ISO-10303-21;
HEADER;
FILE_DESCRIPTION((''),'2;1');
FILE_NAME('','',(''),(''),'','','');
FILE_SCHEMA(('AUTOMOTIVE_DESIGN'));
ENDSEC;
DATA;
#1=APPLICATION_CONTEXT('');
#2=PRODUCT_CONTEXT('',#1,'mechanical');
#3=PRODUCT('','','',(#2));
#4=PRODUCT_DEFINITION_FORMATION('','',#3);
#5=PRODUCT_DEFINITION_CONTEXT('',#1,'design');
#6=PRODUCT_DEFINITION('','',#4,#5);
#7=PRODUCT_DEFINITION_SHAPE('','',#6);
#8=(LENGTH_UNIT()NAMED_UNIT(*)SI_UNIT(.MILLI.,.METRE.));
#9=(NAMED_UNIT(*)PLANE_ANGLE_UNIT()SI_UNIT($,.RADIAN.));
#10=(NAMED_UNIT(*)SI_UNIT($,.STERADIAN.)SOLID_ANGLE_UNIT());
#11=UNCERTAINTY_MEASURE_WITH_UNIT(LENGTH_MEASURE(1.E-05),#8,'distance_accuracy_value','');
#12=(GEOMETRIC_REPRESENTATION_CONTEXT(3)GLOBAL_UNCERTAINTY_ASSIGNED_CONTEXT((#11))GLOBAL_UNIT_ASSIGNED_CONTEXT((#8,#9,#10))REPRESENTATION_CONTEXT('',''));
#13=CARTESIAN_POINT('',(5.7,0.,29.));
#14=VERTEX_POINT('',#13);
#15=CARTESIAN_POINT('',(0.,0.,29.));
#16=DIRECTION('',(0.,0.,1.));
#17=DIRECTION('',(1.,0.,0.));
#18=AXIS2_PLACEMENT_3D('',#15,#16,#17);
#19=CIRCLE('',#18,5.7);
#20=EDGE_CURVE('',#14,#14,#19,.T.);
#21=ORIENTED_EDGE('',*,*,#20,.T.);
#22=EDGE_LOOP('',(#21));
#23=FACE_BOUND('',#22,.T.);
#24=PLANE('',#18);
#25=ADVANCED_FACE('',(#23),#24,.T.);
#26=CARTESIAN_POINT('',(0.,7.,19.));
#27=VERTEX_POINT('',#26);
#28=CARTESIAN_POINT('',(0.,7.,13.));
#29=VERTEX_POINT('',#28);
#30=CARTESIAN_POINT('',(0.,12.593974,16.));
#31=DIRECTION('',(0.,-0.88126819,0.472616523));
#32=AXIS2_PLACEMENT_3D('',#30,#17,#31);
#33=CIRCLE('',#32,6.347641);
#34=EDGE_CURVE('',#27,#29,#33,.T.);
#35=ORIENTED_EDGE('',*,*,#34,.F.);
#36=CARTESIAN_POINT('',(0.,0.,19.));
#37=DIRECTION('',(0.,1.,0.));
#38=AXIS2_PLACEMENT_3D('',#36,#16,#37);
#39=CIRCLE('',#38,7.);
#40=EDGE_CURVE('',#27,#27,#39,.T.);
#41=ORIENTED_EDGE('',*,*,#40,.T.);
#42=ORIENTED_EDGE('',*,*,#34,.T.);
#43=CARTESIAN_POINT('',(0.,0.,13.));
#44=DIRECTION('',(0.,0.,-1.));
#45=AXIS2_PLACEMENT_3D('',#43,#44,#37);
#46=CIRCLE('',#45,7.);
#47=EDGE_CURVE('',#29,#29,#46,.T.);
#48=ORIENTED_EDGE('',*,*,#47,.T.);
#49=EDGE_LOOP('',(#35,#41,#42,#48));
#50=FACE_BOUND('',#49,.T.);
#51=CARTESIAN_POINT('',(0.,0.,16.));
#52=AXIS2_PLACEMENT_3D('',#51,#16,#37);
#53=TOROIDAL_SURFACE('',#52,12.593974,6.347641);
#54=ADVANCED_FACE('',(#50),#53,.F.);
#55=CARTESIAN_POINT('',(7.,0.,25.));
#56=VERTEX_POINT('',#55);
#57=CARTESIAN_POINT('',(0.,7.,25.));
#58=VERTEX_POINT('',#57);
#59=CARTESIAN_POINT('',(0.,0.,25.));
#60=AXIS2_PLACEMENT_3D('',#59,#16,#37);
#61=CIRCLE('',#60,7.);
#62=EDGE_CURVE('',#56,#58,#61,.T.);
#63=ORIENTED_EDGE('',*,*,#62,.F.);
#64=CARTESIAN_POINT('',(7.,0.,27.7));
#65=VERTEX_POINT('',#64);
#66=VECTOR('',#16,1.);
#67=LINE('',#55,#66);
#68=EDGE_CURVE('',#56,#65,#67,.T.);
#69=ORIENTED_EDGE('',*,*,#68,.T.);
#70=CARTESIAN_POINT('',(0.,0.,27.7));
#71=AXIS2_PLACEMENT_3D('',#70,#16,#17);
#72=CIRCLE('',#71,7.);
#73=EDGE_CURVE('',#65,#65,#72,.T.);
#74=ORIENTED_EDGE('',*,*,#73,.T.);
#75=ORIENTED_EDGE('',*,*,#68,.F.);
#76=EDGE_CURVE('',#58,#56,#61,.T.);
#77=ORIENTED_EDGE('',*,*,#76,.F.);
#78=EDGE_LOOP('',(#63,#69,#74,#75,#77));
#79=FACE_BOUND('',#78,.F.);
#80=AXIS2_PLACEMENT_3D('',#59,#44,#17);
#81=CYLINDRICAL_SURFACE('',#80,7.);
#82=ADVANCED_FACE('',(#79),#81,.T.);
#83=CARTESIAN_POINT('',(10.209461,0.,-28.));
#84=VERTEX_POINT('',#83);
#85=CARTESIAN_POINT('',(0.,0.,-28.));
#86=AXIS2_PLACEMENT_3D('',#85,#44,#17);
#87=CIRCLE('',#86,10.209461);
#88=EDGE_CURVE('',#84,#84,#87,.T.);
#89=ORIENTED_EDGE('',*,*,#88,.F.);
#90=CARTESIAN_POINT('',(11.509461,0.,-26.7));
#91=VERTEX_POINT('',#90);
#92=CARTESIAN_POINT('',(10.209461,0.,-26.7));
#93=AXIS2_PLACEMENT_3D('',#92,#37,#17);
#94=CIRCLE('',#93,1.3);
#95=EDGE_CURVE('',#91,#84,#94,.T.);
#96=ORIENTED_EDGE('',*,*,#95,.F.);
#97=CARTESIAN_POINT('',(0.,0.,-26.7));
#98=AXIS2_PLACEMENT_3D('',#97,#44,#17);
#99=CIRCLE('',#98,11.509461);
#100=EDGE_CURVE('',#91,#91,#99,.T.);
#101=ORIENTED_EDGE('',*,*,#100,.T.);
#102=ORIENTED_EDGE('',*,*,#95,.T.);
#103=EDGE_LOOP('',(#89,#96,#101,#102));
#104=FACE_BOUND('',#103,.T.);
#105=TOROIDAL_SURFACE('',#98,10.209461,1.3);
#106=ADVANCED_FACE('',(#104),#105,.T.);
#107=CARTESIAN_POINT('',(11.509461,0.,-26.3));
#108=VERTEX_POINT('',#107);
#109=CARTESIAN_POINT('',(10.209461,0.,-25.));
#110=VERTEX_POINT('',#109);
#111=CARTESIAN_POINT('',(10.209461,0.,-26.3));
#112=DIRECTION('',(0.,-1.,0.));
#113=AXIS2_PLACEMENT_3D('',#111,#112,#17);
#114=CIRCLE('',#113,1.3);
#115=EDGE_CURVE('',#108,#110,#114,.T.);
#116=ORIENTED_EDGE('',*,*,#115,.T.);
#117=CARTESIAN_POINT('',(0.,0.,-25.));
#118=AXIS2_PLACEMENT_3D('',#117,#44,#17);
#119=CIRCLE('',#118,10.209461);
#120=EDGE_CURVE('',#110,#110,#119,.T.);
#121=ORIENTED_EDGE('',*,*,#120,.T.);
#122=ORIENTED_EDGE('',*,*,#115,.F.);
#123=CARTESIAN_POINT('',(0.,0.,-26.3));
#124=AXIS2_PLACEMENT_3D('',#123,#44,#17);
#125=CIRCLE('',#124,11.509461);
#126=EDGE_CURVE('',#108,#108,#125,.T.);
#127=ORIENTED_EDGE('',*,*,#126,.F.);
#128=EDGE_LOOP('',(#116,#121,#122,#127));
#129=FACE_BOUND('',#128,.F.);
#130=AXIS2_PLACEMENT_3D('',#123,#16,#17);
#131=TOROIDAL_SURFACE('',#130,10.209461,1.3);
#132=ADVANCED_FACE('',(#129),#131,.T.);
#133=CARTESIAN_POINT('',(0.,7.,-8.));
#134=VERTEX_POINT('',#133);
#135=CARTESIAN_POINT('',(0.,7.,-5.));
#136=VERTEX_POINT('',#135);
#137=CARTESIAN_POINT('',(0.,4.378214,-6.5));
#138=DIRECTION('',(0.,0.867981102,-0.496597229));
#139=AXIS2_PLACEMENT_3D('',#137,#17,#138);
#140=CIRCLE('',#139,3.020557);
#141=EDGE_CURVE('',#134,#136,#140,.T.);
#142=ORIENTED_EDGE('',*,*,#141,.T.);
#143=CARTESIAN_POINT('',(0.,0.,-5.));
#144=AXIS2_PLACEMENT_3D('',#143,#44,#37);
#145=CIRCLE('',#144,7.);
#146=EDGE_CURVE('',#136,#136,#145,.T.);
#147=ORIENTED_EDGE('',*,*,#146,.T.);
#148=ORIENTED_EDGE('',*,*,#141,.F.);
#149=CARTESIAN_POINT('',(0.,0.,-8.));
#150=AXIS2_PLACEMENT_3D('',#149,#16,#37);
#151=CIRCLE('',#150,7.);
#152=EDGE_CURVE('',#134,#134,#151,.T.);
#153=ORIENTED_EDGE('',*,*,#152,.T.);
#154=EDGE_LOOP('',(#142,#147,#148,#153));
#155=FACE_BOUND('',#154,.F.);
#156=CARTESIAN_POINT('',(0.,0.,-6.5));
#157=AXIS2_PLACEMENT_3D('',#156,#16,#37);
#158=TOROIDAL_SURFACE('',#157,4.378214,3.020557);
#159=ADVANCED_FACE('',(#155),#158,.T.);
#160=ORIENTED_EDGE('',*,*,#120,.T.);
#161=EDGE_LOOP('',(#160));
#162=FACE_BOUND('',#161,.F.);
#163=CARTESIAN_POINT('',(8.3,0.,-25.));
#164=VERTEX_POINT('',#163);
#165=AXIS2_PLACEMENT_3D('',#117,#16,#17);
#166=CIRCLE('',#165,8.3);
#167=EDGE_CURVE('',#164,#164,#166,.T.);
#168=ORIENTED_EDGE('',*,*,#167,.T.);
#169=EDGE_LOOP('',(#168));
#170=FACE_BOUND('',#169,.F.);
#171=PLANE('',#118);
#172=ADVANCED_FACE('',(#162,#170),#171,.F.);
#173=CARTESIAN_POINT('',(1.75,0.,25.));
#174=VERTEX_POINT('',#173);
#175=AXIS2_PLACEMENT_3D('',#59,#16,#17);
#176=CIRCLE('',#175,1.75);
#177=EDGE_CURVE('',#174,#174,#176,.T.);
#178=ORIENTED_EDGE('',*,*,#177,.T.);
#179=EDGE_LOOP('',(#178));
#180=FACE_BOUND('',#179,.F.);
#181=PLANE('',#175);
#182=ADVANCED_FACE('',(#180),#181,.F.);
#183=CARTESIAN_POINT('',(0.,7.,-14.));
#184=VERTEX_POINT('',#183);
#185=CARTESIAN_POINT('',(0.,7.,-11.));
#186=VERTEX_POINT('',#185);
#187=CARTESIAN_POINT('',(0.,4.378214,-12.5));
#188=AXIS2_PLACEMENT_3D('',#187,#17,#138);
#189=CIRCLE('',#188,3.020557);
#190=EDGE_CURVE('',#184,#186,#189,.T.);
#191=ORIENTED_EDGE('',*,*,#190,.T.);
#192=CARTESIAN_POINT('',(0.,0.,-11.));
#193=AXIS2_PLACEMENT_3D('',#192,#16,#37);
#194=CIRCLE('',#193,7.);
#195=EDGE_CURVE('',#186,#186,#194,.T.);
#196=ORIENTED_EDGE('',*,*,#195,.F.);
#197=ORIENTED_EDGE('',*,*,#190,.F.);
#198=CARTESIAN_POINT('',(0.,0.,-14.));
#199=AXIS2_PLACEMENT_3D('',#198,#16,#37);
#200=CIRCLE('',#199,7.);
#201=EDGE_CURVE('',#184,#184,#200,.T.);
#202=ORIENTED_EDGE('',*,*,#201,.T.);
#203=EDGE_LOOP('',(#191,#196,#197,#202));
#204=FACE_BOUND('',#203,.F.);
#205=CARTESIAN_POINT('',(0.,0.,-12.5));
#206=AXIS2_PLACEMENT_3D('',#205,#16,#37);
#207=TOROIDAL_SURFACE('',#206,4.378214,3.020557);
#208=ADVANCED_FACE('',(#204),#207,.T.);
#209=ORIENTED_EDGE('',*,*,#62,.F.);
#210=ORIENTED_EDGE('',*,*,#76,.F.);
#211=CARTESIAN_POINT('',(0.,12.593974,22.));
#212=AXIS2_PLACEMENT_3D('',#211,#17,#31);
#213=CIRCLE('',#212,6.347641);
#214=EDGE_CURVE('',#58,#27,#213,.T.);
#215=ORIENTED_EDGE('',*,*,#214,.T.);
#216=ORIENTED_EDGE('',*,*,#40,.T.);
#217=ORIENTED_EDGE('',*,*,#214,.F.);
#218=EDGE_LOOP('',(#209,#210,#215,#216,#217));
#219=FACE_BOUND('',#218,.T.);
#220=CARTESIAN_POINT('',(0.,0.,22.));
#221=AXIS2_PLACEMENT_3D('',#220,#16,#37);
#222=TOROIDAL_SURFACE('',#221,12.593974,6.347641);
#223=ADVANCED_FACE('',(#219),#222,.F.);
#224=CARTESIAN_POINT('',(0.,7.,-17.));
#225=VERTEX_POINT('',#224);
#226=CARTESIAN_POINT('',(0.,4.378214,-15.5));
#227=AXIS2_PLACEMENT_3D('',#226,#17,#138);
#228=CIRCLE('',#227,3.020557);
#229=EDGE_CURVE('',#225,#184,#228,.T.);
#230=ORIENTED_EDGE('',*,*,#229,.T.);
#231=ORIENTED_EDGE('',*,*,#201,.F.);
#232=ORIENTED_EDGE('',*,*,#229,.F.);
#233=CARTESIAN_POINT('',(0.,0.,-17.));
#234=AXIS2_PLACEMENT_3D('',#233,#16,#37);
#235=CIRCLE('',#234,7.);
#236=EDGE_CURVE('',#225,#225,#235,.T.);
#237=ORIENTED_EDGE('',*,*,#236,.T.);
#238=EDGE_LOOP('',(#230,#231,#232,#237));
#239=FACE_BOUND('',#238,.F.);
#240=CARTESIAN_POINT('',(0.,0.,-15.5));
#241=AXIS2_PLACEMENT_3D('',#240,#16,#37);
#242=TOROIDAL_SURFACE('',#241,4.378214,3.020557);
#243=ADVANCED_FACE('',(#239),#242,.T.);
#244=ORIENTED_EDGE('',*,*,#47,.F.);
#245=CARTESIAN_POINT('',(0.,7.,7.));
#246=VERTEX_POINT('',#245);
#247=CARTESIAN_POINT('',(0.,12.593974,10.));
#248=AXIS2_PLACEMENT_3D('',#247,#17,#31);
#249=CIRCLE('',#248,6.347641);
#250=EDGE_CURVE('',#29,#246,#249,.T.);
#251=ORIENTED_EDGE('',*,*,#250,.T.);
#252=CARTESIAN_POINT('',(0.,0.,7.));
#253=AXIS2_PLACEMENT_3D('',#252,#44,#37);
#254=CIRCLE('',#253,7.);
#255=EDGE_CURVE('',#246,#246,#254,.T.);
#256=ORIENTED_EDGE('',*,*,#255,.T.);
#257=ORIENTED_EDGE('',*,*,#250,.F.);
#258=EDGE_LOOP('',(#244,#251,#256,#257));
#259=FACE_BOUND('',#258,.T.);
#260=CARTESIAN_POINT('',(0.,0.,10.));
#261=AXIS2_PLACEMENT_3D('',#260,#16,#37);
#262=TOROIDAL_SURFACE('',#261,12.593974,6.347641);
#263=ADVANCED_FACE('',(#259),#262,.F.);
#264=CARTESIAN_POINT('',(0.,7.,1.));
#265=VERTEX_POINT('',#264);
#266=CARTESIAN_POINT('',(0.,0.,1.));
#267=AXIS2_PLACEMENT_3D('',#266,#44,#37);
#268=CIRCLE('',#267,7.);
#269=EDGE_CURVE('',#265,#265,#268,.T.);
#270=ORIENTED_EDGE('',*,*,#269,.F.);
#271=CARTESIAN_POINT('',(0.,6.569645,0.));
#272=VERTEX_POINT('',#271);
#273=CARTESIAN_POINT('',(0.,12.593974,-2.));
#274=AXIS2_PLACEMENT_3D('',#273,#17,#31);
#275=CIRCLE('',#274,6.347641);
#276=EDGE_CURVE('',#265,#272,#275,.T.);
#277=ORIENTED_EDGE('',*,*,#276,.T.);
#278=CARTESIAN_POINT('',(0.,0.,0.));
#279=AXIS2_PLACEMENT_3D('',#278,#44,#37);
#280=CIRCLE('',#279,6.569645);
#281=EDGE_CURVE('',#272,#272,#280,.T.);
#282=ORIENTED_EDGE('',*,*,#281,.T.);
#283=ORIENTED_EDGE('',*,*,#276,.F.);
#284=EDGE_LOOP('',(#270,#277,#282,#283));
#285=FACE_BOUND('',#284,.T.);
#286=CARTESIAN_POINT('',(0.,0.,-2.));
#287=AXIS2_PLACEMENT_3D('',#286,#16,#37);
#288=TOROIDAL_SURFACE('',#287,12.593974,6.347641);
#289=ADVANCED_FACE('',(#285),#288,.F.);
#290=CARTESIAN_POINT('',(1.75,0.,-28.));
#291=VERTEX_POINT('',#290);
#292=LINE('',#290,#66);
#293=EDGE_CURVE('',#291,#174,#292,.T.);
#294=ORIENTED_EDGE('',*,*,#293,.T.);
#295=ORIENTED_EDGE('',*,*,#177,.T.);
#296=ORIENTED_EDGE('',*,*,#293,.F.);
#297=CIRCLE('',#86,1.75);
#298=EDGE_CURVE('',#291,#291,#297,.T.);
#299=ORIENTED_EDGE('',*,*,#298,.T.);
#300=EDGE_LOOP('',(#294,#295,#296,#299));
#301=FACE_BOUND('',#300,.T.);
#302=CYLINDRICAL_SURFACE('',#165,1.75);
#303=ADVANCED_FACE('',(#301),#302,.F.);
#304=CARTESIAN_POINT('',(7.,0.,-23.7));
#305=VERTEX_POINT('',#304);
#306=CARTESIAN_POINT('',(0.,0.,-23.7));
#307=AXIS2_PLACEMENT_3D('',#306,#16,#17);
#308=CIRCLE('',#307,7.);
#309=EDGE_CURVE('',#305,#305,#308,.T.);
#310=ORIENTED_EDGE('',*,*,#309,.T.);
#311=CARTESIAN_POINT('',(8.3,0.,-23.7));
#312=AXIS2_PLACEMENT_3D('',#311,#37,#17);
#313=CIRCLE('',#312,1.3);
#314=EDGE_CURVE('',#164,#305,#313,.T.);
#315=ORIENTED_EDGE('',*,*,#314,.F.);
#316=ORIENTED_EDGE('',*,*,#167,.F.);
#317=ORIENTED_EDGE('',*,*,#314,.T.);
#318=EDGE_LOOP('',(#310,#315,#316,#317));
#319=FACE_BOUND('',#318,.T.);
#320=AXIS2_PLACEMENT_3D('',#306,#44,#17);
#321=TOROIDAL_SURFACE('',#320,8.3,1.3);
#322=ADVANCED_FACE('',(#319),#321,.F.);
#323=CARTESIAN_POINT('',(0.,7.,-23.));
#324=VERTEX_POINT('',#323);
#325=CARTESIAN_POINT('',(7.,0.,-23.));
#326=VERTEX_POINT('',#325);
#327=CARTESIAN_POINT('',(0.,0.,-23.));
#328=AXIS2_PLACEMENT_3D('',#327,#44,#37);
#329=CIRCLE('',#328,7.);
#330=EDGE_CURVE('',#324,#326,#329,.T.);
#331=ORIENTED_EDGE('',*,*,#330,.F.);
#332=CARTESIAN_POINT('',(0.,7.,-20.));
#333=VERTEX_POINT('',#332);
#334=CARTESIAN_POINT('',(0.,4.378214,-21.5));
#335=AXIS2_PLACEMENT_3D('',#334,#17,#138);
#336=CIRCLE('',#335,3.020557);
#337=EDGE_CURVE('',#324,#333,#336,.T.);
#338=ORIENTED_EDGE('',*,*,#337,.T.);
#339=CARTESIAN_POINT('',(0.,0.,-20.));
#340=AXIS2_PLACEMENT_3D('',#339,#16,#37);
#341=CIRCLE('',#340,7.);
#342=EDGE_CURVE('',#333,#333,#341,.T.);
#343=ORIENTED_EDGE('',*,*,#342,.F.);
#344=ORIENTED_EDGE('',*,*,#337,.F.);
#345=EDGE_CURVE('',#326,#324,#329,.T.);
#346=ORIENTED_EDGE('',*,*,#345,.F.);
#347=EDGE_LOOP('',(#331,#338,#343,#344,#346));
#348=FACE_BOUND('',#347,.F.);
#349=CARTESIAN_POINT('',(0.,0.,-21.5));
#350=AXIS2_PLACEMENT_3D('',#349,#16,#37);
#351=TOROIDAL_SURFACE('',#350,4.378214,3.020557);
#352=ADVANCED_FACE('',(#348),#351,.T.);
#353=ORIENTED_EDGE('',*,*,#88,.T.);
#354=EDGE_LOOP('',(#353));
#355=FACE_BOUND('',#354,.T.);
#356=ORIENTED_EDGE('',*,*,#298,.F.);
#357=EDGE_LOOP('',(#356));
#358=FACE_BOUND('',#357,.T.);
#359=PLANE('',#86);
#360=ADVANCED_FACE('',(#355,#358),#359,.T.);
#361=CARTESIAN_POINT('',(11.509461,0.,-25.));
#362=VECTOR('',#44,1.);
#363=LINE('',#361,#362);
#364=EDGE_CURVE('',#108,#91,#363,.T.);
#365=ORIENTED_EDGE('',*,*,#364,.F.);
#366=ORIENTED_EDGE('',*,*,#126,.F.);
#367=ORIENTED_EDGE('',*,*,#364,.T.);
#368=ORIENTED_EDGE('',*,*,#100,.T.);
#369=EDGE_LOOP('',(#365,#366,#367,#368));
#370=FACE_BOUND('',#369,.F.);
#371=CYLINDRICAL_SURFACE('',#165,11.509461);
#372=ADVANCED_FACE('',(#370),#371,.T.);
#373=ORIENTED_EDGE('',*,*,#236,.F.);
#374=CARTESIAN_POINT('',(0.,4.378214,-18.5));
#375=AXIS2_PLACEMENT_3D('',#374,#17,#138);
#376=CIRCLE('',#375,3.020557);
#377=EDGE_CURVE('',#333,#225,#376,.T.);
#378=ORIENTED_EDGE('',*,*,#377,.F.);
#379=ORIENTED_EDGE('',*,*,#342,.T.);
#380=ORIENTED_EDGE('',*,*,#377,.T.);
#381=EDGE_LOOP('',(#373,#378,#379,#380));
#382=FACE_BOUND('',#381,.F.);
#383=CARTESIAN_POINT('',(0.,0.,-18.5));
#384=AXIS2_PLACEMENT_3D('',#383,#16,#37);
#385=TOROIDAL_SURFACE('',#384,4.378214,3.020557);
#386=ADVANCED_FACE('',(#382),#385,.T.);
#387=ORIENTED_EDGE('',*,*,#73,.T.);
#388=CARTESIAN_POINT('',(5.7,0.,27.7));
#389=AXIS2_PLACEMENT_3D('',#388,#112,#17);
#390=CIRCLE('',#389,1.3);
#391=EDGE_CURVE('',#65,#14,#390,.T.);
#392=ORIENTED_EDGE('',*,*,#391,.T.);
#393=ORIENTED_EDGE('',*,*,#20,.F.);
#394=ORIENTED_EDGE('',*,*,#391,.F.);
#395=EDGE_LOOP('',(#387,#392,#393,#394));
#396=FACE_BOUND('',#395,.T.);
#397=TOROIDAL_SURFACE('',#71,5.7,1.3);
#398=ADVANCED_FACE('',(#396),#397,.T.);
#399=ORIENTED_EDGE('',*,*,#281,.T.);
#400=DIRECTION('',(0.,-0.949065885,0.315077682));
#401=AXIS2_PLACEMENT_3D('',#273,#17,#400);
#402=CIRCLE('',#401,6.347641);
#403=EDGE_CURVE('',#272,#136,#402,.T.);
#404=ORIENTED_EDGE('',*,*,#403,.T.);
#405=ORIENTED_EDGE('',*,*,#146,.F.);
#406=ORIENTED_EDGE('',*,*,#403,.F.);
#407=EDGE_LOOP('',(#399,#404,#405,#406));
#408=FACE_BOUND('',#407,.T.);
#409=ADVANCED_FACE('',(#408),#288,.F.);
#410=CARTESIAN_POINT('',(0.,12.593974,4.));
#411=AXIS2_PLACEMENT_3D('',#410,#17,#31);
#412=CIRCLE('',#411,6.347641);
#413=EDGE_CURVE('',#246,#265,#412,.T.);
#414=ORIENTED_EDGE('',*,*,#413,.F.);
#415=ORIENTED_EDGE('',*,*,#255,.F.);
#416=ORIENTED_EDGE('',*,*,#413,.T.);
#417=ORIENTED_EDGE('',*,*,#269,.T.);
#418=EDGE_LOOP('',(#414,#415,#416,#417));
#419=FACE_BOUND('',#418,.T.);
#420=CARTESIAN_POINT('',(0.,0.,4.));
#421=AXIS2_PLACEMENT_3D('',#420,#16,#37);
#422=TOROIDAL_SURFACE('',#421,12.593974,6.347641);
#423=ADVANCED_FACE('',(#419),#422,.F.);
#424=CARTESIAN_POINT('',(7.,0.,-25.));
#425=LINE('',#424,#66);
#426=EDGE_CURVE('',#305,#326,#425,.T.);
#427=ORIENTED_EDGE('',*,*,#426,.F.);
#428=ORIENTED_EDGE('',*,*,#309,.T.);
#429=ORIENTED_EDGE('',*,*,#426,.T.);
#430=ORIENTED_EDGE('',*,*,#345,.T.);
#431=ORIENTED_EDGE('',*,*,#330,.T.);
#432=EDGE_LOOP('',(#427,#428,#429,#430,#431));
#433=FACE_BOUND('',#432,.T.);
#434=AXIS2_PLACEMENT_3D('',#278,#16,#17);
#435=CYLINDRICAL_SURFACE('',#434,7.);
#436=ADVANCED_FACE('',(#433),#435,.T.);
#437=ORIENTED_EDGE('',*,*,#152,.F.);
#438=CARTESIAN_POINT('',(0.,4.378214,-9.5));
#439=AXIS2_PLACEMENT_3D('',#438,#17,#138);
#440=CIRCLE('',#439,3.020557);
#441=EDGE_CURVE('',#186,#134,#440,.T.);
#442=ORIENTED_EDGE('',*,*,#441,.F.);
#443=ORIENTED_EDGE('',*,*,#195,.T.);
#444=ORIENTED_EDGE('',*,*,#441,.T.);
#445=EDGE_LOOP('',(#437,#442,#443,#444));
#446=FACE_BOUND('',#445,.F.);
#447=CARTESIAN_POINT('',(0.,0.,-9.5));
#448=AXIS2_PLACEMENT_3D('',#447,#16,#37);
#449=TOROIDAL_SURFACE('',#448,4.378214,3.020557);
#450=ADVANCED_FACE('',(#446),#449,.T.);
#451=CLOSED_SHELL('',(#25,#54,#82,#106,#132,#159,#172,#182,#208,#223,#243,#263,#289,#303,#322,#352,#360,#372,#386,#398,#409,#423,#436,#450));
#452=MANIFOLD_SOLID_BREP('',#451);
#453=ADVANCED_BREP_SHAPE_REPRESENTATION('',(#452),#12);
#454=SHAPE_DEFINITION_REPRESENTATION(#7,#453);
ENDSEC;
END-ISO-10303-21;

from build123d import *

# Parameters (mm, degrees)
F1_R      = 7
F2_DEPTH  = 25
F3_R      = 1.75
F4_DEPTH  = 25
F9_R      = 7
F9_R_2    = 1.75
F10_DEPTH = 4
F11_R     = 11.5094612718
F11_R_2   = 1.75
F12_DEPTH = 3
F13_R     = 1.3


with BuildPart() as f2:
    # F1 (on Top) → F2 (new body, symmetric)
    with BuildSketch(Plane.XY):
        Circle(F1_R)
    extrude(amount=F2_DEPTH, both=True)

    # F3 (on Top) → F4 (cut, symmetric)
    with BuildSketch(Plane.XY):
        Circle(F3_R)
    extrude(amount=F4_DEPTH, both=True, mode=Mode.SUBTRACT)

    # F5 (on Right) → F6 (revolve, cut)
    with BuildSketch(Plane.YZ):
        with BuildLine():
            ThreePointArc((7, 1), (6.7633442198, 0.5092432024), (6.5696445719, 0))
            Line((6.5696445719, 0), (7, 0))
            Line((7, 0), (7, 1))
        make_face()
        with BuildLine():
            ThreePointArc((7, 25), (6.2463330982, 22), (7, 19))
            Line((7, 19), (7, 25))
        make_face()
        with BuildLine():
            ThreePointArc((7, 19), (6.2463330982, 16), (7, 13))
            Line((7, 13), (7, 19))
        make_face()
        with BuildLine():
            ThreePointArc((7, 13), (6.2463330982, 10), (7, 7))
            Line((7, 7), (7, 13))
        make_face()
        with BuildLine():
            ThreePointArc((7, 7), (6.2463330982, 4), (7, 1))
            Line((7, 1), (7, 7))
        make_face()
        with BuildLine():
            Line((7, 0), (6.5696445719, 0))
            ThreePointArc((6.5696445719, 0), (6.2697156583, -2.5443357866), (7, -5))
            Line((7, -5), (7, 0))
        make_face()
    revolve(axis=Axis((0, 0, 13.0615860689), (0, 0, -1)), mode=Mode.SUBTRACT)

    # F7 (on Right) → F8 (revolve)
    with BuildSketch(Plane.YZ):
        with BuildLine():
            Line((7, -5), (7, -8))
            ThreePointArc((7, -8), (7.3987705455, -6.5), (7, -5))
        make_face()
        with BuildLine():
            ThreePointArc((7, -23), (7.3987705455, -21.5), (7, -20))
            Line((7, -20), (7, -23))
        make_face()
        with BuildLine():
            ThreePointArc((7, -20), (7.3987705455, -18.5), (7, -17))
            Line((7, -17), (7, -20))
        make_face()
        with BuildLine():
            ThreePointArc((7, -17), (7.3987705455, -15.5), (7, -14))
            Line((7, -14), (7, -17))
        make_face()
        with BuildLine():
            ThreePointArc((7, -14), (7.3987705455, -12.5), (7, -11))
            Line((7, -11), (7, -14))
        make_face()
        with BuildLine():
            ThreePointArc((7, -11), (7.3987705455, -9.5), (7, -8))
            Line((7, -8), (7, -11))
        make_face()
    revolve(axis=Axis((0, 0, -9.2291207984), (0, 0, -1)))

    # F9 (on face) → F10 (join)
    with BuildSketch(Plane.XY.offset(25)):
        Circle(F9_R)
        Circle(F9_R_2, mode=Mode.SUBTRACT)
        Circle(F9_R)
        Circle(F9_R_2)
    extrude(amount=F10_DEPTH)

    # F11 (on face) → F12 (join)
    with BuildSketch(Plane(origin=(0, 0, -25), x_dir=(1, 0, 0), z_dir=(0, 0, -1))):
        Circle(F11_R)
        Circle(F11_R_2, mode=Mode.SUBTRACT)
    extrude(amount=F12_DEPTH)

    # F13
    f13_edges = [f2.edges().sort_by_distance(p)[0] for p in [
        (-11.509461, 0, -25),
        (-7, 0, -25),
        (-11.509461, 0, -28),
        (-7, 0, 29),
    ]]
    fillet(f13_edges, radius=F13_R)


solid = f2.part
